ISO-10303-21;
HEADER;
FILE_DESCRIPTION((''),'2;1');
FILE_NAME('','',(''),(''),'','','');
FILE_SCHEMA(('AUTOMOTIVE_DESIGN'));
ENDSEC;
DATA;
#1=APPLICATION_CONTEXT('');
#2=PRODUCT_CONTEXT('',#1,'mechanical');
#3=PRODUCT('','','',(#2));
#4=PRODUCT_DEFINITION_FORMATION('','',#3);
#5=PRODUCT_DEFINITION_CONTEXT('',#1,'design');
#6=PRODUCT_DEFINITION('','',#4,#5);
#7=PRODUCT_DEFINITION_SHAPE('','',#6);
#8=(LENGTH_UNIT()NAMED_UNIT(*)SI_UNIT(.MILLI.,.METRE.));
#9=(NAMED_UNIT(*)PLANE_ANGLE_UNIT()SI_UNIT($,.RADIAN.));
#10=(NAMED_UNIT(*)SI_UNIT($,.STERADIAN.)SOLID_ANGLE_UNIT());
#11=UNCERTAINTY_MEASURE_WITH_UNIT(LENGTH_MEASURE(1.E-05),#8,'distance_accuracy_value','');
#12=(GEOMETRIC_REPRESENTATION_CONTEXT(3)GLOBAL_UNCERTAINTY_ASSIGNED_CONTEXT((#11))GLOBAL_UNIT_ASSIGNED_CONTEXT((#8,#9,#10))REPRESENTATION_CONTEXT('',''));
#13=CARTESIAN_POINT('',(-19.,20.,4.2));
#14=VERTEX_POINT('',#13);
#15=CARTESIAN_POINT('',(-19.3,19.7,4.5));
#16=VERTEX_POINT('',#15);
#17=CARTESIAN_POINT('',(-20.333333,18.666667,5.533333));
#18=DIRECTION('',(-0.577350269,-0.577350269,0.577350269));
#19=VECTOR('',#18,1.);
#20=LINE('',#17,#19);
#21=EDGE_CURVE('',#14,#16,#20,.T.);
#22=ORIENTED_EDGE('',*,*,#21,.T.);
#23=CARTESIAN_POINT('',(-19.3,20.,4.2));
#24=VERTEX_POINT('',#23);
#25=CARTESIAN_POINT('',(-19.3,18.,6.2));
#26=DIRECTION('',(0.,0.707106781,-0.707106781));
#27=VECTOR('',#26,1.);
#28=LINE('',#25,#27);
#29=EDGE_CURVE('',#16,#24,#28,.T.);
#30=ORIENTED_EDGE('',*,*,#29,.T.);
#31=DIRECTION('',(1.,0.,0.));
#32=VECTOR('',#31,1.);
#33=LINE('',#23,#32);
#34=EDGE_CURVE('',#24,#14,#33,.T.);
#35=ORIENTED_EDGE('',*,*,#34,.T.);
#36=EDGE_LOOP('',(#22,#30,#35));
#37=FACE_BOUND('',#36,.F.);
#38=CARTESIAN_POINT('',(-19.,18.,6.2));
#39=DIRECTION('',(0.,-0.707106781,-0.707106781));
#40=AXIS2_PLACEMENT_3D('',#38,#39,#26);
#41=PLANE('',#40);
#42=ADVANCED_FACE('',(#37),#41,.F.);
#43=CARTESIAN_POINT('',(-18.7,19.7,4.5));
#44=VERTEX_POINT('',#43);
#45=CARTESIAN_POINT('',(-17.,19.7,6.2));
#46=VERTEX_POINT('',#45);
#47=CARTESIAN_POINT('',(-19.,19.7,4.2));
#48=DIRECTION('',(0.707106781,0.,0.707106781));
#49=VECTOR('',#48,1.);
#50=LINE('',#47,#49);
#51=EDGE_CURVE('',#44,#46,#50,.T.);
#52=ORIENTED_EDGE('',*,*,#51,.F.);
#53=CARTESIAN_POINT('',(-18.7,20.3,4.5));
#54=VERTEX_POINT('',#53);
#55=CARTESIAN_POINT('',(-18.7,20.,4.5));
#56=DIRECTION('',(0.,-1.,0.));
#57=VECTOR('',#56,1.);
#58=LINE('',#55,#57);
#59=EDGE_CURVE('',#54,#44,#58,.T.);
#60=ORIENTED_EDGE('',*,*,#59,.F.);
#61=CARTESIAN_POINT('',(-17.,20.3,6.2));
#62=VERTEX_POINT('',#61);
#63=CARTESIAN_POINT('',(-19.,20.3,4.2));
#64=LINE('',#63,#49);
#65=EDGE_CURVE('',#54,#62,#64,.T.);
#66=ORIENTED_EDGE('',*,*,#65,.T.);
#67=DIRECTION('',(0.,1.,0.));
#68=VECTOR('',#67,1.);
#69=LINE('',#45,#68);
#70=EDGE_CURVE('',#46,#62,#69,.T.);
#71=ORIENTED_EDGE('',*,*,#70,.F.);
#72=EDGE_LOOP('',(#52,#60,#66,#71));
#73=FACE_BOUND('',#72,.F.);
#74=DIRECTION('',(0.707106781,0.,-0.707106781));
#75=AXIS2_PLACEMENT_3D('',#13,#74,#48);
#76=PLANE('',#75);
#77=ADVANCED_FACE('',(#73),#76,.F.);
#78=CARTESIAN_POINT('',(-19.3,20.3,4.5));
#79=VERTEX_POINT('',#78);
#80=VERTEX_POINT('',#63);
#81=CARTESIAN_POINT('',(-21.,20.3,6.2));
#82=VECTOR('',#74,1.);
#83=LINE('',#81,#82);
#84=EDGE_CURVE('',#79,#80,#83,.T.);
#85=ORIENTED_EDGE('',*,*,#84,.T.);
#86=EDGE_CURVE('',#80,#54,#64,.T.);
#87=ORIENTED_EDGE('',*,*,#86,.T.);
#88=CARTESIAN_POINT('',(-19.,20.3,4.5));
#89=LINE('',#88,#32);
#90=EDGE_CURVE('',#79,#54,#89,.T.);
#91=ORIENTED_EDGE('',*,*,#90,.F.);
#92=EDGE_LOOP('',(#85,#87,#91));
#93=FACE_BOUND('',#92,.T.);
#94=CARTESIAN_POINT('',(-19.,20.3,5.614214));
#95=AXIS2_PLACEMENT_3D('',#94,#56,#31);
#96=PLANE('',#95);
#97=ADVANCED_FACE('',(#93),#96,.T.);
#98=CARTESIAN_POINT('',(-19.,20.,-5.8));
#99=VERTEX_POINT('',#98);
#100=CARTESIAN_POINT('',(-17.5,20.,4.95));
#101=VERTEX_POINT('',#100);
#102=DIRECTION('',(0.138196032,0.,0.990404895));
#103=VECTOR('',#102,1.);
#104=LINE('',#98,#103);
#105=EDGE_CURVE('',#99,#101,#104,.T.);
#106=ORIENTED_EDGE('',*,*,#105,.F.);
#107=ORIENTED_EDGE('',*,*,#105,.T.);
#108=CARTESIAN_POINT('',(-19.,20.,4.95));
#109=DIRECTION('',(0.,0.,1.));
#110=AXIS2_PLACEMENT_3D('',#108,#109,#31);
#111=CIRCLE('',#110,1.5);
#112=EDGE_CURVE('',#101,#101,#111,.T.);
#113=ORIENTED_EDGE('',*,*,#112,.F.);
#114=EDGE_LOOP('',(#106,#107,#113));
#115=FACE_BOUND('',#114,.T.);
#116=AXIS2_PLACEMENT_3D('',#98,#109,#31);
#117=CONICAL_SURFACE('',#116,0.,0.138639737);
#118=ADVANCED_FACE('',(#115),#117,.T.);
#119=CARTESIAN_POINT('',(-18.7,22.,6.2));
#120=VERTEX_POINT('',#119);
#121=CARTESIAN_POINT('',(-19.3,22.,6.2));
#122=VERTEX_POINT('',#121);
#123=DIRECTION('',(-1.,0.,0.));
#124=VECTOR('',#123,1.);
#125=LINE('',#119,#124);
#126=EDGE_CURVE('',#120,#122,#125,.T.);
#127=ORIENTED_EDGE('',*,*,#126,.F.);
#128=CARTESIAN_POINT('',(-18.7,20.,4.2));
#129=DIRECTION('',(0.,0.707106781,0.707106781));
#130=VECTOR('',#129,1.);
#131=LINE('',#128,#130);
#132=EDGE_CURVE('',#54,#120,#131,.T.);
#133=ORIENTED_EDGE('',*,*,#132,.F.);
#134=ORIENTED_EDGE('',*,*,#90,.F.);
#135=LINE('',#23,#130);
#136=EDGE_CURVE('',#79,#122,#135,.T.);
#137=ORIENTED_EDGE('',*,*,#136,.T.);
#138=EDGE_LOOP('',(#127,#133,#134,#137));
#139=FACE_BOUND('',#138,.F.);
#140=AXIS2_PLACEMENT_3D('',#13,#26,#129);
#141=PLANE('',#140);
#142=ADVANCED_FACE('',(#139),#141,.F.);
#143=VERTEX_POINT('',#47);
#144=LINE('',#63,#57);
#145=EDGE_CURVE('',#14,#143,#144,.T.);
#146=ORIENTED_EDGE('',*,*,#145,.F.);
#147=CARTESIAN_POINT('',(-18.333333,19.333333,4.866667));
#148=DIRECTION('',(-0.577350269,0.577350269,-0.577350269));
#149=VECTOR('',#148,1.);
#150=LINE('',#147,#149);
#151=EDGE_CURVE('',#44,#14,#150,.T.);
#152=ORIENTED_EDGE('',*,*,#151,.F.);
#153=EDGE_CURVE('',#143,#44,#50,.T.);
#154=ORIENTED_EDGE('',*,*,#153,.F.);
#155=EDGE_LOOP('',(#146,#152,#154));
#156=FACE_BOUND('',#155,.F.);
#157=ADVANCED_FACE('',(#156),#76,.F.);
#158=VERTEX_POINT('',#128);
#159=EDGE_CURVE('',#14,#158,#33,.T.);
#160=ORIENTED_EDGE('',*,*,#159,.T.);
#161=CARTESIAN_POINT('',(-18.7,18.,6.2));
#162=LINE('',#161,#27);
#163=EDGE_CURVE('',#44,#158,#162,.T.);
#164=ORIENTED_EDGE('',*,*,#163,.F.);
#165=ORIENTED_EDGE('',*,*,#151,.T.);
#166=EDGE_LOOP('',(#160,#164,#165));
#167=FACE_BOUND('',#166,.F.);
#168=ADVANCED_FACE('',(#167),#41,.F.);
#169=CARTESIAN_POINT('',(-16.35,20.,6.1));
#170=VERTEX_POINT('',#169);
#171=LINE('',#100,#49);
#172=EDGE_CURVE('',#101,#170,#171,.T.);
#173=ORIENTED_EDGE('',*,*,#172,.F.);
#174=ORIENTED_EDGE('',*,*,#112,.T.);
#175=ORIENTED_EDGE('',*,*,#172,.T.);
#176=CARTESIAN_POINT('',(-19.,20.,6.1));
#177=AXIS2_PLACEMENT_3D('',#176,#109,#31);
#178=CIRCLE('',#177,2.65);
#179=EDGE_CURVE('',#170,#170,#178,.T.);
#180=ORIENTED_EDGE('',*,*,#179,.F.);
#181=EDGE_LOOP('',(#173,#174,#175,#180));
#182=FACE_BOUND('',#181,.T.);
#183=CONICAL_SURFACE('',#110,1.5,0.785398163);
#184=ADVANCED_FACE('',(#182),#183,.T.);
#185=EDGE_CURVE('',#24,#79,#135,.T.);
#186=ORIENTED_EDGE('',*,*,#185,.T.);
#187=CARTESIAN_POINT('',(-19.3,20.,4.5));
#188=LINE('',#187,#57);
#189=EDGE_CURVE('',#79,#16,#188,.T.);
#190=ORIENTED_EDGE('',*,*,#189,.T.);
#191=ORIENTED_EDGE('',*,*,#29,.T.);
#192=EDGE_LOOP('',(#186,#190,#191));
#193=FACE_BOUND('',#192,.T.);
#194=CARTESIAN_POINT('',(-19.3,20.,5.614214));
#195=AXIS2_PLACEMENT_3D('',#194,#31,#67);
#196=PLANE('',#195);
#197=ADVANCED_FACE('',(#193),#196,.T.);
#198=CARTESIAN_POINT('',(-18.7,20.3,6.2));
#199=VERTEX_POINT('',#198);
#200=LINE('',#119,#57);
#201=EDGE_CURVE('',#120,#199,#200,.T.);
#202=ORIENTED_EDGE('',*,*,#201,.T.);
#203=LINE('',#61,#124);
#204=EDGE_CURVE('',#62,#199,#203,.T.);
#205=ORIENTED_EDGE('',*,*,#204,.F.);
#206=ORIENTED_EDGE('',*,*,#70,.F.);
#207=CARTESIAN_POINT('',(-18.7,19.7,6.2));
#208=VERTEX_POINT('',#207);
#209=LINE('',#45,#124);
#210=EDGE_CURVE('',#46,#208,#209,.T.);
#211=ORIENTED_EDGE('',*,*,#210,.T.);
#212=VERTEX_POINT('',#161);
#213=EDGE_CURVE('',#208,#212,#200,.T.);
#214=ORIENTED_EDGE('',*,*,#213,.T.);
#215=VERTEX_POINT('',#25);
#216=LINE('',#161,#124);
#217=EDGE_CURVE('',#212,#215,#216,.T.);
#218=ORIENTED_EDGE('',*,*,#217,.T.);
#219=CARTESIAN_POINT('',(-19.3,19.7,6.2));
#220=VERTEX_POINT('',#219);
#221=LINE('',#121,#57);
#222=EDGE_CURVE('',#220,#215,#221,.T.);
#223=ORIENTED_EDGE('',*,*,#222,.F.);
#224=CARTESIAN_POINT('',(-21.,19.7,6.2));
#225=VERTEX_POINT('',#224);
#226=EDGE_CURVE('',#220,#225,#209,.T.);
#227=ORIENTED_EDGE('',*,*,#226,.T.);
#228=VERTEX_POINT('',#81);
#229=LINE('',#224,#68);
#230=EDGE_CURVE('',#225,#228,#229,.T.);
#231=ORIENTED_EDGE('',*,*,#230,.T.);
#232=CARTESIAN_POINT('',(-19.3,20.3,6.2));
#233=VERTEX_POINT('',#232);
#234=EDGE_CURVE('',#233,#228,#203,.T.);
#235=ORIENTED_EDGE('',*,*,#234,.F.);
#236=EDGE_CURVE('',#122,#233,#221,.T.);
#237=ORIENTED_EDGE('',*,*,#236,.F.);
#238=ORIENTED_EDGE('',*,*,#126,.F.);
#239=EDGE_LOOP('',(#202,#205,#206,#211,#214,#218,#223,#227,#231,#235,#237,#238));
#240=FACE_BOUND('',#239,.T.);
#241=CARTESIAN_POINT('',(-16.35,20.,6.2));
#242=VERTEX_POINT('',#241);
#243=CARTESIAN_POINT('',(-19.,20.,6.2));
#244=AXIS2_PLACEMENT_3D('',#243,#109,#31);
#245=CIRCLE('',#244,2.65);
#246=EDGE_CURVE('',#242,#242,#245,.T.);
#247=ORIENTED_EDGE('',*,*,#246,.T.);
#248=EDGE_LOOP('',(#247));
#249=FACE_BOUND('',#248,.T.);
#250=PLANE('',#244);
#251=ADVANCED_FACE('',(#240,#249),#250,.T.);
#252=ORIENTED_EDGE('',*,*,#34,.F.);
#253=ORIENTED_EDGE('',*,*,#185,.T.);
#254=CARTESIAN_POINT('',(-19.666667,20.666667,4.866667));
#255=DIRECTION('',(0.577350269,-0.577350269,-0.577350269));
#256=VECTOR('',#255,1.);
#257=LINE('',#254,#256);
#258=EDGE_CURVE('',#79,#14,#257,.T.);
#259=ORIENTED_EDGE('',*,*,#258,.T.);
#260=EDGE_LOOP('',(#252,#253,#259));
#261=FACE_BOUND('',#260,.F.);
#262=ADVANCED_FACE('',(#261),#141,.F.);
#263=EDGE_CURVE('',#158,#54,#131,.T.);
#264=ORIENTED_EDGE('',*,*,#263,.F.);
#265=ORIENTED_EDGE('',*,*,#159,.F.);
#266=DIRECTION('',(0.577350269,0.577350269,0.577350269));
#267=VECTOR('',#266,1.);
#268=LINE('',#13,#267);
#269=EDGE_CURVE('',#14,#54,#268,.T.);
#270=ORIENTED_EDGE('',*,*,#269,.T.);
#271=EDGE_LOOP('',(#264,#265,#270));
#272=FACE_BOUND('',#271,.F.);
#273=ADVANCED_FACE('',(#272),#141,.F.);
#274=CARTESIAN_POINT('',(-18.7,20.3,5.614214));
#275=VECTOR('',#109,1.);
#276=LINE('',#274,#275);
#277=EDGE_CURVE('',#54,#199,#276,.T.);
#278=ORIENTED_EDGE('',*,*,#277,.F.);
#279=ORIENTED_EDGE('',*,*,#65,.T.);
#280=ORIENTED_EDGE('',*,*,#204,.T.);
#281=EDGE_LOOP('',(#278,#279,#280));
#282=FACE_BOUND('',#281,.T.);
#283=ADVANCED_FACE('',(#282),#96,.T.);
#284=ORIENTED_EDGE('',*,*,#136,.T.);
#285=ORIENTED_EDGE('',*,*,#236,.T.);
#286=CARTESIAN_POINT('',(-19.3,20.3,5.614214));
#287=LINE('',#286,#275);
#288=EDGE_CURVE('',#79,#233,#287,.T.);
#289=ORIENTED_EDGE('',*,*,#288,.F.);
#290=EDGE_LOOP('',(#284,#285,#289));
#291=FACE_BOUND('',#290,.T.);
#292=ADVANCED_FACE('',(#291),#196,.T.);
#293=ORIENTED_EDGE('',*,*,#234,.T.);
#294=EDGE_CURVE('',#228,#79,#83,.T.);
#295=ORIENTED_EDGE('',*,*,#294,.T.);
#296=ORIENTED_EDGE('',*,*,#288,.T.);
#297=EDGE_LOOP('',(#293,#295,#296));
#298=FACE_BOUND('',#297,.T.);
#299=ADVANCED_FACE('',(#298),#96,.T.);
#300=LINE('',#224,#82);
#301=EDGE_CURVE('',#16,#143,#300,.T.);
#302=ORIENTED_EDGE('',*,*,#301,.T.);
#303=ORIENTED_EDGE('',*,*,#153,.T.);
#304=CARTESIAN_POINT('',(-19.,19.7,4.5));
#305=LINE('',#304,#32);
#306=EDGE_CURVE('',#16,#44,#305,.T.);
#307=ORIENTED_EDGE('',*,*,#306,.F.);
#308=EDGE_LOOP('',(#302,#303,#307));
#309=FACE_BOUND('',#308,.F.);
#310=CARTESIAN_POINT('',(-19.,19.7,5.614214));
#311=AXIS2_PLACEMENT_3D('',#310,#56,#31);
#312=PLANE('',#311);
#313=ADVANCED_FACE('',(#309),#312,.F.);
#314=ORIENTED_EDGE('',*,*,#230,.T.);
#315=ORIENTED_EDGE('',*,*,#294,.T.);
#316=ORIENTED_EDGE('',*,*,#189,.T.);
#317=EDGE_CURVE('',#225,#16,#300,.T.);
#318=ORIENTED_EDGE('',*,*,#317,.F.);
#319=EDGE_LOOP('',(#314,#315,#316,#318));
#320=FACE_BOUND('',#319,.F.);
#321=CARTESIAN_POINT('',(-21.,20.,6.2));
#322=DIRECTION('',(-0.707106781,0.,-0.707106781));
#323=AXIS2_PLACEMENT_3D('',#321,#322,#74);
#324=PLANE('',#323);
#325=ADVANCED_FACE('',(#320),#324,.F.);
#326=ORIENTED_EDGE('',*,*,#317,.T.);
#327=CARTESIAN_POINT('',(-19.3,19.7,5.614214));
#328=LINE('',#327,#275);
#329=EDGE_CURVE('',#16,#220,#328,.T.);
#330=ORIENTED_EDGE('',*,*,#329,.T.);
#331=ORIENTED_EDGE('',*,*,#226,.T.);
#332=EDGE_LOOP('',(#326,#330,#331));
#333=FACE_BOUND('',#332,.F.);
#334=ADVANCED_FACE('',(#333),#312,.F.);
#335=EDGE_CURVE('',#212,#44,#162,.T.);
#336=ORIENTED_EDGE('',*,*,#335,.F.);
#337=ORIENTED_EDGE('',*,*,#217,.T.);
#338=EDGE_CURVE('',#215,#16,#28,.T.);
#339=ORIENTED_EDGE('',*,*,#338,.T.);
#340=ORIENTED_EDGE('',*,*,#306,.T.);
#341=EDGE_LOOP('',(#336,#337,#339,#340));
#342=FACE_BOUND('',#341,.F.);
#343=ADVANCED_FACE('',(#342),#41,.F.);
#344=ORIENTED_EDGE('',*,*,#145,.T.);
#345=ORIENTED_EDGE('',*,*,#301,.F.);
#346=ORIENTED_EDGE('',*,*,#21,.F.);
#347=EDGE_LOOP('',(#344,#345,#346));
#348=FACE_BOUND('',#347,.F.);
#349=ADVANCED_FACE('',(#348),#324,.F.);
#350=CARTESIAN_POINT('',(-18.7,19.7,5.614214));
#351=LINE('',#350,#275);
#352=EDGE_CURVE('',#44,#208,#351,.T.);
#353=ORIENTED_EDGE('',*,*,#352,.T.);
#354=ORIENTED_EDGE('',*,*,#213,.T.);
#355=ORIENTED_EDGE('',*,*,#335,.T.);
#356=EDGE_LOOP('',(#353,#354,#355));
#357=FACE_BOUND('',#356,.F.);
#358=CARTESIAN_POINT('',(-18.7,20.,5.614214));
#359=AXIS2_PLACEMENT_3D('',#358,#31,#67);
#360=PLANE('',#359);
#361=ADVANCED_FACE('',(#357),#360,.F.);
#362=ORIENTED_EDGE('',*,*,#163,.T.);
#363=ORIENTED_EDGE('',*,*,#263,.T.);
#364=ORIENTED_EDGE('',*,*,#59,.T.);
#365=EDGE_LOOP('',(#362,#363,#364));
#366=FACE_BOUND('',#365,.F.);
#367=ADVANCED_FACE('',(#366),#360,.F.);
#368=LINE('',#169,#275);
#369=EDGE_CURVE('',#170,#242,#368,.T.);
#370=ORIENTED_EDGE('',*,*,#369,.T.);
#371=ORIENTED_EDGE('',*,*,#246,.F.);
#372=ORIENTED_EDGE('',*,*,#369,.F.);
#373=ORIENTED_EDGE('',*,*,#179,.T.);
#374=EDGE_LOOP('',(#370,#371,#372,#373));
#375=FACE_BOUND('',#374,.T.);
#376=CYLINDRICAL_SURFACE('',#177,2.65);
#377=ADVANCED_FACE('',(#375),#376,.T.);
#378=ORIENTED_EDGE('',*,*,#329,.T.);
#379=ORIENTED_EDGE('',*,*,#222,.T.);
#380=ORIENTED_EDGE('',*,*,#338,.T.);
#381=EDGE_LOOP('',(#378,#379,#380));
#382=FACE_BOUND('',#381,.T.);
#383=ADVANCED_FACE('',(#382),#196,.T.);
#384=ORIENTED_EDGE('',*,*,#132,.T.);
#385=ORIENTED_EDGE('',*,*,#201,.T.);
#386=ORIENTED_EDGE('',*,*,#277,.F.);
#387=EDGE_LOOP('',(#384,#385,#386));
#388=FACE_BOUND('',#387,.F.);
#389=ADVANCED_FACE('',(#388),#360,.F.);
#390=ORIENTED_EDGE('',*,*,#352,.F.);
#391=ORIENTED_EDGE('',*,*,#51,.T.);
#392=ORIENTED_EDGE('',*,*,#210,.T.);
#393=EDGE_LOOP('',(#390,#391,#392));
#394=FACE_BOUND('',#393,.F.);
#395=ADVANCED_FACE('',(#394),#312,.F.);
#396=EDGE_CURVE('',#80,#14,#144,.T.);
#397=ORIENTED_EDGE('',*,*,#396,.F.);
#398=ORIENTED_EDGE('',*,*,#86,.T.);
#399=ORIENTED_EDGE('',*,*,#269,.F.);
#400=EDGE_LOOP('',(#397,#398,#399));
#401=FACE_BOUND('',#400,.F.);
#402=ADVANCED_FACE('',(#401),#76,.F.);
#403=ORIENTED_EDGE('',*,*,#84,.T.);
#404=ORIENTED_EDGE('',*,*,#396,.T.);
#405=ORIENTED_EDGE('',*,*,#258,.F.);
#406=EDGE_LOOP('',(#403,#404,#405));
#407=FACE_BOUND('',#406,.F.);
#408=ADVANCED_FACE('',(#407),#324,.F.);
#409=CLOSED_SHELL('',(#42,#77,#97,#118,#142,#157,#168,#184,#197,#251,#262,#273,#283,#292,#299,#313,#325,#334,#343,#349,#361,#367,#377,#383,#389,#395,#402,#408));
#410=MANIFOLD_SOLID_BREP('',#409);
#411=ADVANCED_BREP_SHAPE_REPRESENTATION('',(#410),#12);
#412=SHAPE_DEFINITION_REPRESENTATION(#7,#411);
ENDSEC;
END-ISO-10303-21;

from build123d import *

# Parameters (mm, degrees)
POCKET002_DEPTH       = 0.3
POLARPATTERN001_COUNT = 2
POLARPATTERN001_ANGLE = 90


with BuildPart() as part:
    # Sketch015 → Revolution001 (revolve)
    with BuildSketch(Plane.XZ):
        Polygon((0, 0), (0, -12), (1.5, -1.25), (2.65, -0.1), (2.65, 0), align=None)
    revolve(axis=Axis((0, 0, 0), (0, 0, 1)))

    # Sketch016 → Pocket002 (cut, symmetric)
    with BuildSketch(Plane.XZ):
        Polygon((-2, 0), (0, -2), (2, 0), align=None)
    pocket002 = extrude(amount=POCKET002_DEPTH, both=True, mode=Mode.SUBTRACT)

    # PolarPattern001: Pocket002 ×2 about axis
    polarpattern001_axis = Axis((0, 0, 0), (0, 0, 1))
    for i in range(1, POLARPATTERN001_COUNT):
        add(pocket002.rotate(polarpattern001_axis, i * POLARPATTERN001_ANGLE / (POLARPATTERN001_COUNT - 1)), mode=Mode.SUBTRACT)


with BuildPart() as part_1:
    # Body012 placement: moved
    add(part.part.moved(Location((-19, 20, 6.2))))


solid = part_1.part
